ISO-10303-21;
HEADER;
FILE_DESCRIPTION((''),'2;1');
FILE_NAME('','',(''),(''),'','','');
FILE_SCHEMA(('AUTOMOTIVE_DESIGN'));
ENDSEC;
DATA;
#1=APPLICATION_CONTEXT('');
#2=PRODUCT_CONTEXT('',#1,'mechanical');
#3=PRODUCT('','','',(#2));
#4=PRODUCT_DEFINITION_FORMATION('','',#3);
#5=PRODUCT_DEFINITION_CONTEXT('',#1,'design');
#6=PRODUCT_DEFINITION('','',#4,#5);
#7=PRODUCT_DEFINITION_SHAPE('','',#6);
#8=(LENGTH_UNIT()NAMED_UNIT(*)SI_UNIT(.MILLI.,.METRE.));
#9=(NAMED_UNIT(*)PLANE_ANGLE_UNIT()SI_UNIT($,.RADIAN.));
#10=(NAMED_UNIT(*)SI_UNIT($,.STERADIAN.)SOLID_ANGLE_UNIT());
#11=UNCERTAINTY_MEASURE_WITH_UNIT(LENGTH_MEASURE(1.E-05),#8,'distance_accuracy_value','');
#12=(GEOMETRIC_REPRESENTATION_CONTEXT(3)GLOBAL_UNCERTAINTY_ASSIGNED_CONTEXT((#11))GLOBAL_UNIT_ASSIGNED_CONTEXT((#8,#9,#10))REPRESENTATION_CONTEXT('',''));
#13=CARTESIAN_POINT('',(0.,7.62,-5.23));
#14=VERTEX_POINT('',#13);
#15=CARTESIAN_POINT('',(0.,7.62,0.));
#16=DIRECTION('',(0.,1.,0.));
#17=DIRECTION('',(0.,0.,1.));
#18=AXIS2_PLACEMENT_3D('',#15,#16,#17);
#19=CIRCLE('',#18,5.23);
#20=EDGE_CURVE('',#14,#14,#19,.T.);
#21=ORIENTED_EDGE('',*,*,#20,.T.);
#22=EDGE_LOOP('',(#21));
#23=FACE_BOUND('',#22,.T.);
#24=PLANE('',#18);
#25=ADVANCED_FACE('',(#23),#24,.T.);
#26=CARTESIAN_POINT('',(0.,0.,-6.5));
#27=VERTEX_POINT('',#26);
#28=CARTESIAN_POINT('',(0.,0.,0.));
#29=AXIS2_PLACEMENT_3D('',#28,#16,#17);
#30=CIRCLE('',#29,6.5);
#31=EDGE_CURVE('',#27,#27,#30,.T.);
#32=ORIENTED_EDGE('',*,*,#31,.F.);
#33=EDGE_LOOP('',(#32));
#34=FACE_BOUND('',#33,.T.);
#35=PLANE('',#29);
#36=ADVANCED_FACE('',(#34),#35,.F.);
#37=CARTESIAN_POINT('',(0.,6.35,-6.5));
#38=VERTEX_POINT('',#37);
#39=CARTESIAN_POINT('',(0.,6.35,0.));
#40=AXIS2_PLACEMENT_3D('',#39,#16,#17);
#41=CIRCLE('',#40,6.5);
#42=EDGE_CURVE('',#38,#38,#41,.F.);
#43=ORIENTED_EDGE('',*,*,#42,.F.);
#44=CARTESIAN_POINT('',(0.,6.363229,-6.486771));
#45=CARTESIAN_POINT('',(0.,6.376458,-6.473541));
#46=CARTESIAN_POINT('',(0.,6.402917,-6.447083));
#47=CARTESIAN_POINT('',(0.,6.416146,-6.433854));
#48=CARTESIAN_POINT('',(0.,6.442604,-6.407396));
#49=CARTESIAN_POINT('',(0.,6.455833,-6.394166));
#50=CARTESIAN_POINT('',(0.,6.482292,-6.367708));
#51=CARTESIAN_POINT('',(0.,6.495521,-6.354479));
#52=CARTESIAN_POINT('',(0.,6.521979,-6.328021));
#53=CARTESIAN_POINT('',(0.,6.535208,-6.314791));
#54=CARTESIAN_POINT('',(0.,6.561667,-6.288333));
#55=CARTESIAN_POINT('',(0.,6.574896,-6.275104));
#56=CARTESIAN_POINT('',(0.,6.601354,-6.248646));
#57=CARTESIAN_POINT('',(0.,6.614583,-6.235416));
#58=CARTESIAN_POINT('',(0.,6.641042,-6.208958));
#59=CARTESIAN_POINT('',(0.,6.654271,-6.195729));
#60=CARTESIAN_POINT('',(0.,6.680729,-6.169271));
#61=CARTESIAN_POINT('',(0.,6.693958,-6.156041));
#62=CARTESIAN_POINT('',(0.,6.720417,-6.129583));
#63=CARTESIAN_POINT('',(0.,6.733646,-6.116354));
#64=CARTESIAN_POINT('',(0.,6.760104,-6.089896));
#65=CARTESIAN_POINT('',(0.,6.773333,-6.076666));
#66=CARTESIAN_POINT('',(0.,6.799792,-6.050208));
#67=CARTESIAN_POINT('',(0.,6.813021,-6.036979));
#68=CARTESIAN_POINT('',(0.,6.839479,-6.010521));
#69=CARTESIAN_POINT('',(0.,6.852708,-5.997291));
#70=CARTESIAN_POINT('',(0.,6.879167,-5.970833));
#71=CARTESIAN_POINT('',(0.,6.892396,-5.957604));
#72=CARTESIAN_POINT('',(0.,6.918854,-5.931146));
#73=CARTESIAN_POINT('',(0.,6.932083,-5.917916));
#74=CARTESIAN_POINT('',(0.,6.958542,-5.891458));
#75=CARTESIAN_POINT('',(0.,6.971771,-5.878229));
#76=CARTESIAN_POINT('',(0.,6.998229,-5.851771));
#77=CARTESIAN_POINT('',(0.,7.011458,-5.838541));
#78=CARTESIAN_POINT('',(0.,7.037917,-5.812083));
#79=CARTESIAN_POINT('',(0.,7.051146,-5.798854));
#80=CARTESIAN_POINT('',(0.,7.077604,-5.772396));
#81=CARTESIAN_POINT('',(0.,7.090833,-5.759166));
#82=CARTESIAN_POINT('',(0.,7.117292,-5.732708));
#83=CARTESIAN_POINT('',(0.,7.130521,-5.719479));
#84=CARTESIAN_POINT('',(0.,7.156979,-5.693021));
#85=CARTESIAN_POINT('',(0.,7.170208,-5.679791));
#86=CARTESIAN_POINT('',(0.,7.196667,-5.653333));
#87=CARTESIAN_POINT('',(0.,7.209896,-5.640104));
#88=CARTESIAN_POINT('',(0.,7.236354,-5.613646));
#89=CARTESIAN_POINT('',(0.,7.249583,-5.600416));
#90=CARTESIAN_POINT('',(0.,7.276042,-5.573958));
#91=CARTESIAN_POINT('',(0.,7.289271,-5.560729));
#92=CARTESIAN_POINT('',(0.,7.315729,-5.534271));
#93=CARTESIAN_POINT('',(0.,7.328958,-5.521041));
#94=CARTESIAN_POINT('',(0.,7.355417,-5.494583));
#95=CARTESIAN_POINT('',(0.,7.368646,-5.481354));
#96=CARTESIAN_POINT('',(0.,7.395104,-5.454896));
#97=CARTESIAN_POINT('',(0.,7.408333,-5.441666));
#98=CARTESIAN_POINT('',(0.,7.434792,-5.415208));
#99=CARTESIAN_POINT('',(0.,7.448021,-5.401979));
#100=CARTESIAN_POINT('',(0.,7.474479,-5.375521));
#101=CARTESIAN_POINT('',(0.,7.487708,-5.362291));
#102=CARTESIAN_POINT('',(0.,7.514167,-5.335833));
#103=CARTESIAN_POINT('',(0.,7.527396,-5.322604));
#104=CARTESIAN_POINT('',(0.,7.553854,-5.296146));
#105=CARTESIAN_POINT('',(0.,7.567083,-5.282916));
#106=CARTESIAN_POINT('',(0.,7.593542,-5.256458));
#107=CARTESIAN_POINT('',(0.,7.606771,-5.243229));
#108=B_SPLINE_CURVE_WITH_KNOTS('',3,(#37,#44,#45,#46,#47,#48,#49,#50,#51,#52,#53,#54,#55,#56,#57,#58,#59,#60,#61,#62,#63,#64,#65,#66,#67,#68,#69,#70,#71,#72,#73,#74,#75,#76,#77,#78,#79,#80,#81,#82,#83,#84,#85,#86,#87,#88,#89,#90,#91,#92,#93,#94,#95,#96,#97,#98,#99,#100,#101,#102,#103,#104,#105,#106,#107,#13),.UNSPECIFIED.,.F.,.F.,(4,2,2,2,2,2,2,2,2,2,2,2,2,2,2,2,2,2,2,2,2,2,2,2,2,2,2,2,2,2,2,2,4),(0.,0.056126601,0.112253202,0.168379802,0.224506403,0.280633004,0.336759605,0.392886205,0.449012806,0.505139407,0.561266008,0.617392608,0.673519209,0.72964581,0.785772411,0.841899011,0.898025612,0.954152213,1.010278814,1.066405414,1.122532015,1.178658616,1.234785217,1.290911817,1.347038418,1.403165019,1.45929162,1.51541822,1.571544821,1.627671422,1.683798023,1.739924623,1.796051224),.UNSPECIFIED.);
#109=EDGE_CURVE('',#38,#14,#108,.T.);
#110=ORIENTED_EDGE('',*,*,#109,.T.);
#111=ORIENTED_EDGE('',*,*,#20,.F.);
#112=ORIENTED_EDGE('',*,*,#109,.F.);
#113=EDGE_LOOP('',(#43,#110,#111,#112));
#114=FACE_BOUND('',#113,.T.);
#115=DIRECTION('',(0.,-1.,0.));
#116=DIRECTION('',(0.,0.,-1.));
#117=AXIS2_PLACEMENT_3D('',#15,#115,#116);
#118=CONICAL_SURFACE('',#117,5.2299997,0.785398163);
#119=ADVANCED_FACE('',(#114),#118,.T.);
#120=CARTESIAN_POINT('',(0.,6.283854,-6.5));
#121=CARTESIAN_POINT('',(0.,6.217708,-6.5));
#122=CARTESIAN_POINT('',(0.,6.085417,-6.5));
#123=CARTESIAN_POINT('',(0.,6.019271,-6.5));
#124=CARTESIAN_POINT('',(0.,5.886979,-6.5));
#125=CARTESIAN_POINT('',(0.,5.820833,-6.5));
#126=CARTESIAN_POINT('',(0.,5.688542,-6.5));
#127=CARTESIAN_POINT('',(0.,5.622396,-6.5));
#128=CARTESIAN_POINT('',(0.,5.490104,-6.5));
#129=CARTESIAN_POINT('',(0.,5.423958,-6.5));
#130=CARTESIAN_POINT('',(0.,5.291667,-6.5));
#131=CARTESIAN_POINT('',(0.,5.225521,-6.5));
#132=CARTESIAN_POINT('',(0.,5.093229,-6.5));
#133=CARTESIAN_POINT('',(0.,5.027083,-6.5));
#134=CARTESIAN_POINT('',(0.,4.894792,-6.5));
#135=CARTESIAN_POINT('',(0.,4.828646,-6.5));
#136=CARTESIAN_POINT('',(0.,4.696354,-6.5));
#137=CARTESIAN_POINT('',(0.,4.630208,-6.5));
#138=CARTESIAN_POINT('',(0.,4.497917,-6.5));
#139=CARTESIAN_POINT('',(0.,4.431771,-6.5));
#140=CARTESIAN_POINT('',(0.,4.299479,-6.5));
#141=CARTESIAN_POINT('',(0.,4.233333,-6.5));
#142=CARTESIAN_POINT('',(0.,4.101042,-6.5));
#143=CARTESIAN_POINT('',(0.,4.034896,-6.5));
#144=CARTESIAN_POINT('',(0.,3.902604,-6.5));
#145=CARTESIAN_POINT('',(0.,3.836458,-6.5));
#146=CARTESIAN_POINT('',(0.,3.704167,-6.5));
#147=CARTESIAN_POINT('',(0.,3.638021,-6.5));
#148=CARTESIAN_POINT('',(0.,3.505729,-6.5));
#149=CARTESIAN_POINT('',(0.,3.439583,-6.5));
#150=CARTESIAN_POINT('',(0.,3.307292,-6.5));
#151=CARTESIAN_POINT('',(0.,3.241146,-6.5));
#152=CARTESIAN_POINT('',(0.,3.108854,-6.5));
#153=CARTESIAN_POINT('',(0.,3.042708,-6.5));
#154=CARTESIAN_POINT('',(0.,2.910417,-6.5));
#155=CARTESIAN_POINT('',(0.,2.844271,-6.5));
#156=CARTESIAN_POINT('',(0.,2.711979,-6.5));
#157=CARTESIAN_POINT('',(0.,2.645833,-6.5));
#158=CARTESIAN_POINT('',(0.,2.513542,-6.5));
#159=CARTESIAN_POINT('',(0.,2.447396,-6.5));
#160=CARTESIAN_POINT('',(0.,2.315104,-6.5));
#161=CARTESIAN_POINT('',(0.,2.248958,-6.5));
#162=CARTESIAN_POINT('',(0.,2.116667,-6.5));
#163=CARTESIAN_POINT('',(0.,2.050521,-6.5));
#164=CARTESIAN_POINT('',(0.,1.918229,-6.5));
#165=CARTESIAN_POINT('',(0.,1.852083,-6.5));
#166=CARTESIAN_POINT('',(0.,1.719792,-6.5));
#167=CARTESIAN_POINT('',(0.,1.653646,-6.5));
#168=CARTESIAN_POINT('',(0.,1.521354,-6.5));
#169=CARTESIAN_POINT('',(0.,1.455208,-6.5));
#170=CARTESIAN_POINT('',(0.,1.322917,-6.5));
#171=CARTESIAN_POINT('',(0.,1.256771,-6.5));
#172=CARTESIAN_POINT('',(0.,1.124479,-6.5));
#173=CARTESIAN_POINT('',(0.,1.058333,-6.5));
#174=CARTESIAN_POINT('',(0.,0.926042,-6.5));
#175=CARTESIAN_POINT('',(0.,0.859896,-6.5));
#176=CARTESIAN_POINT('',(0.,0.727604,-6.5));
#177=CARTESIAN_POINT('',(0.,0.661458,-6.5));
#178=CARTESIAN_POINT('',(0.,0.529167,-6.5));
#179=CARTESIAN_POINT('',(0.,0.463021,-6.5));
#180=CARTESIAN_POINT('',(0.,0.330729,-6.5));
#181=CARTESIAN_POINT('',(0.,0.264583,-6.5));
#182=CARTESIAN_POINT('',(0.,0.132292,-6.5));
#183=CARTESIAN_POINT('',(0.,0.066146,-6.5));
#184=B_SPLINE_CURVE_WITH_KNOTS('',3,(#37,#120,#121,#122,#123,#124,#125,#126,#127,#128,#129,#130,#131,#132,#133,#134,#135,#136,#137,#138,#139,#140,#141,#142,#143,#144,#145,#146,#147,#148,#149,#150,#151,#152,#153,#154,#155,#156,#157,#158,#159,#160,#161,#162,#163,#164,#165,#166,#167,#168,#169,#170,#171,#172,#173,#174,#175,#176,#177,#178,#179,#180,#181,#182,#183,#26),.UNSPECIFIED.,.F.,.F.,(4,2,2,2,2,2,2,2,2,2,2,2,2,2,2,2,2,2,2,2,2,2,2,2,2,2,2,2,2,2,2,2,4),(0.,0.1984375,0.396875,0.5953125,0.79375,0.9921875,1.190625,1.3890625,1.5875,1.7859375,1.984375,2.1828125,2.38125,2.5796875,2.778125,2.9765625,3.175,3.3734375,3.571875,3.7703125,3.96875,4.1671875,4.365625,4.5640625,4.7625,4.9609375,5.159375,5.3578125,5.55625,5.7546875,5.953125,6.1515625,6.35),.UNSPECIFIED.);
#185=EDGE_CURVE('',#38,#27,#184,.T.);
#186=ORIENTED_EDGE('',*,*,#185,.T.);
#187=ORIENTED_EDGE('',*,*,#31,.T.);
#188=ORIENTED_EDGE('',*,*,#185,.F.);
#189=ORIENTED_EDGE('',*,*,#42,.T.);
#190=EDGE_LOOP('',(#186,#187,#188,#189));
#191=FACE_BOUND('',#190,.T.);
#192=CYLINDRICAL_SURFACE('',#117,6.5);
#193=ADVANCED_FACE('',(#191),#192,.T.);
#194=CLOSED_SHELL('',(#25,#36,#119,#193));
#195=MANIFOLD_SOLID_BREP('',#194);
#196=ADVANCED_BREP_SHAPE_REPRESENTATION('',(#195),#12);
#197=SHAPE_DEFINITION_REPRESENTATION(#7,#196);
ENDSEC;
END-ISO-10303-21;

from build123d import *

# Parameters (mm, degrees)
SKETCH1_R           = 6.4999997
BOSS_EXTRUDE1_DEPTH = 7.62
CHAMFER2_SIZE       = 1.27


with BuildPart() as part:
    # Sketch1 → Boss-Extrude1 (new body)
    with BuildSketch(Plane(origin=(0, 0, 0), x_dir=(1, 0, 0), z_dir=(0, 1, 0))):
        with Locations(Location((0, 0, 0), (0, 0, 90))):
            Circle(SKETCH1_R)
    extrude(amount=BOSS_EXTRUDE1_DEPTH)

    # Chamfer2
    chamfer2_edges = [part.edges().sort_by_distance(p)[0] for p in [
        (0, 7.62, 6.4999997),
    ]]
    chamfer(chamfer2_edges, length=CHAMFER2_SIZE)


solid = part.part
